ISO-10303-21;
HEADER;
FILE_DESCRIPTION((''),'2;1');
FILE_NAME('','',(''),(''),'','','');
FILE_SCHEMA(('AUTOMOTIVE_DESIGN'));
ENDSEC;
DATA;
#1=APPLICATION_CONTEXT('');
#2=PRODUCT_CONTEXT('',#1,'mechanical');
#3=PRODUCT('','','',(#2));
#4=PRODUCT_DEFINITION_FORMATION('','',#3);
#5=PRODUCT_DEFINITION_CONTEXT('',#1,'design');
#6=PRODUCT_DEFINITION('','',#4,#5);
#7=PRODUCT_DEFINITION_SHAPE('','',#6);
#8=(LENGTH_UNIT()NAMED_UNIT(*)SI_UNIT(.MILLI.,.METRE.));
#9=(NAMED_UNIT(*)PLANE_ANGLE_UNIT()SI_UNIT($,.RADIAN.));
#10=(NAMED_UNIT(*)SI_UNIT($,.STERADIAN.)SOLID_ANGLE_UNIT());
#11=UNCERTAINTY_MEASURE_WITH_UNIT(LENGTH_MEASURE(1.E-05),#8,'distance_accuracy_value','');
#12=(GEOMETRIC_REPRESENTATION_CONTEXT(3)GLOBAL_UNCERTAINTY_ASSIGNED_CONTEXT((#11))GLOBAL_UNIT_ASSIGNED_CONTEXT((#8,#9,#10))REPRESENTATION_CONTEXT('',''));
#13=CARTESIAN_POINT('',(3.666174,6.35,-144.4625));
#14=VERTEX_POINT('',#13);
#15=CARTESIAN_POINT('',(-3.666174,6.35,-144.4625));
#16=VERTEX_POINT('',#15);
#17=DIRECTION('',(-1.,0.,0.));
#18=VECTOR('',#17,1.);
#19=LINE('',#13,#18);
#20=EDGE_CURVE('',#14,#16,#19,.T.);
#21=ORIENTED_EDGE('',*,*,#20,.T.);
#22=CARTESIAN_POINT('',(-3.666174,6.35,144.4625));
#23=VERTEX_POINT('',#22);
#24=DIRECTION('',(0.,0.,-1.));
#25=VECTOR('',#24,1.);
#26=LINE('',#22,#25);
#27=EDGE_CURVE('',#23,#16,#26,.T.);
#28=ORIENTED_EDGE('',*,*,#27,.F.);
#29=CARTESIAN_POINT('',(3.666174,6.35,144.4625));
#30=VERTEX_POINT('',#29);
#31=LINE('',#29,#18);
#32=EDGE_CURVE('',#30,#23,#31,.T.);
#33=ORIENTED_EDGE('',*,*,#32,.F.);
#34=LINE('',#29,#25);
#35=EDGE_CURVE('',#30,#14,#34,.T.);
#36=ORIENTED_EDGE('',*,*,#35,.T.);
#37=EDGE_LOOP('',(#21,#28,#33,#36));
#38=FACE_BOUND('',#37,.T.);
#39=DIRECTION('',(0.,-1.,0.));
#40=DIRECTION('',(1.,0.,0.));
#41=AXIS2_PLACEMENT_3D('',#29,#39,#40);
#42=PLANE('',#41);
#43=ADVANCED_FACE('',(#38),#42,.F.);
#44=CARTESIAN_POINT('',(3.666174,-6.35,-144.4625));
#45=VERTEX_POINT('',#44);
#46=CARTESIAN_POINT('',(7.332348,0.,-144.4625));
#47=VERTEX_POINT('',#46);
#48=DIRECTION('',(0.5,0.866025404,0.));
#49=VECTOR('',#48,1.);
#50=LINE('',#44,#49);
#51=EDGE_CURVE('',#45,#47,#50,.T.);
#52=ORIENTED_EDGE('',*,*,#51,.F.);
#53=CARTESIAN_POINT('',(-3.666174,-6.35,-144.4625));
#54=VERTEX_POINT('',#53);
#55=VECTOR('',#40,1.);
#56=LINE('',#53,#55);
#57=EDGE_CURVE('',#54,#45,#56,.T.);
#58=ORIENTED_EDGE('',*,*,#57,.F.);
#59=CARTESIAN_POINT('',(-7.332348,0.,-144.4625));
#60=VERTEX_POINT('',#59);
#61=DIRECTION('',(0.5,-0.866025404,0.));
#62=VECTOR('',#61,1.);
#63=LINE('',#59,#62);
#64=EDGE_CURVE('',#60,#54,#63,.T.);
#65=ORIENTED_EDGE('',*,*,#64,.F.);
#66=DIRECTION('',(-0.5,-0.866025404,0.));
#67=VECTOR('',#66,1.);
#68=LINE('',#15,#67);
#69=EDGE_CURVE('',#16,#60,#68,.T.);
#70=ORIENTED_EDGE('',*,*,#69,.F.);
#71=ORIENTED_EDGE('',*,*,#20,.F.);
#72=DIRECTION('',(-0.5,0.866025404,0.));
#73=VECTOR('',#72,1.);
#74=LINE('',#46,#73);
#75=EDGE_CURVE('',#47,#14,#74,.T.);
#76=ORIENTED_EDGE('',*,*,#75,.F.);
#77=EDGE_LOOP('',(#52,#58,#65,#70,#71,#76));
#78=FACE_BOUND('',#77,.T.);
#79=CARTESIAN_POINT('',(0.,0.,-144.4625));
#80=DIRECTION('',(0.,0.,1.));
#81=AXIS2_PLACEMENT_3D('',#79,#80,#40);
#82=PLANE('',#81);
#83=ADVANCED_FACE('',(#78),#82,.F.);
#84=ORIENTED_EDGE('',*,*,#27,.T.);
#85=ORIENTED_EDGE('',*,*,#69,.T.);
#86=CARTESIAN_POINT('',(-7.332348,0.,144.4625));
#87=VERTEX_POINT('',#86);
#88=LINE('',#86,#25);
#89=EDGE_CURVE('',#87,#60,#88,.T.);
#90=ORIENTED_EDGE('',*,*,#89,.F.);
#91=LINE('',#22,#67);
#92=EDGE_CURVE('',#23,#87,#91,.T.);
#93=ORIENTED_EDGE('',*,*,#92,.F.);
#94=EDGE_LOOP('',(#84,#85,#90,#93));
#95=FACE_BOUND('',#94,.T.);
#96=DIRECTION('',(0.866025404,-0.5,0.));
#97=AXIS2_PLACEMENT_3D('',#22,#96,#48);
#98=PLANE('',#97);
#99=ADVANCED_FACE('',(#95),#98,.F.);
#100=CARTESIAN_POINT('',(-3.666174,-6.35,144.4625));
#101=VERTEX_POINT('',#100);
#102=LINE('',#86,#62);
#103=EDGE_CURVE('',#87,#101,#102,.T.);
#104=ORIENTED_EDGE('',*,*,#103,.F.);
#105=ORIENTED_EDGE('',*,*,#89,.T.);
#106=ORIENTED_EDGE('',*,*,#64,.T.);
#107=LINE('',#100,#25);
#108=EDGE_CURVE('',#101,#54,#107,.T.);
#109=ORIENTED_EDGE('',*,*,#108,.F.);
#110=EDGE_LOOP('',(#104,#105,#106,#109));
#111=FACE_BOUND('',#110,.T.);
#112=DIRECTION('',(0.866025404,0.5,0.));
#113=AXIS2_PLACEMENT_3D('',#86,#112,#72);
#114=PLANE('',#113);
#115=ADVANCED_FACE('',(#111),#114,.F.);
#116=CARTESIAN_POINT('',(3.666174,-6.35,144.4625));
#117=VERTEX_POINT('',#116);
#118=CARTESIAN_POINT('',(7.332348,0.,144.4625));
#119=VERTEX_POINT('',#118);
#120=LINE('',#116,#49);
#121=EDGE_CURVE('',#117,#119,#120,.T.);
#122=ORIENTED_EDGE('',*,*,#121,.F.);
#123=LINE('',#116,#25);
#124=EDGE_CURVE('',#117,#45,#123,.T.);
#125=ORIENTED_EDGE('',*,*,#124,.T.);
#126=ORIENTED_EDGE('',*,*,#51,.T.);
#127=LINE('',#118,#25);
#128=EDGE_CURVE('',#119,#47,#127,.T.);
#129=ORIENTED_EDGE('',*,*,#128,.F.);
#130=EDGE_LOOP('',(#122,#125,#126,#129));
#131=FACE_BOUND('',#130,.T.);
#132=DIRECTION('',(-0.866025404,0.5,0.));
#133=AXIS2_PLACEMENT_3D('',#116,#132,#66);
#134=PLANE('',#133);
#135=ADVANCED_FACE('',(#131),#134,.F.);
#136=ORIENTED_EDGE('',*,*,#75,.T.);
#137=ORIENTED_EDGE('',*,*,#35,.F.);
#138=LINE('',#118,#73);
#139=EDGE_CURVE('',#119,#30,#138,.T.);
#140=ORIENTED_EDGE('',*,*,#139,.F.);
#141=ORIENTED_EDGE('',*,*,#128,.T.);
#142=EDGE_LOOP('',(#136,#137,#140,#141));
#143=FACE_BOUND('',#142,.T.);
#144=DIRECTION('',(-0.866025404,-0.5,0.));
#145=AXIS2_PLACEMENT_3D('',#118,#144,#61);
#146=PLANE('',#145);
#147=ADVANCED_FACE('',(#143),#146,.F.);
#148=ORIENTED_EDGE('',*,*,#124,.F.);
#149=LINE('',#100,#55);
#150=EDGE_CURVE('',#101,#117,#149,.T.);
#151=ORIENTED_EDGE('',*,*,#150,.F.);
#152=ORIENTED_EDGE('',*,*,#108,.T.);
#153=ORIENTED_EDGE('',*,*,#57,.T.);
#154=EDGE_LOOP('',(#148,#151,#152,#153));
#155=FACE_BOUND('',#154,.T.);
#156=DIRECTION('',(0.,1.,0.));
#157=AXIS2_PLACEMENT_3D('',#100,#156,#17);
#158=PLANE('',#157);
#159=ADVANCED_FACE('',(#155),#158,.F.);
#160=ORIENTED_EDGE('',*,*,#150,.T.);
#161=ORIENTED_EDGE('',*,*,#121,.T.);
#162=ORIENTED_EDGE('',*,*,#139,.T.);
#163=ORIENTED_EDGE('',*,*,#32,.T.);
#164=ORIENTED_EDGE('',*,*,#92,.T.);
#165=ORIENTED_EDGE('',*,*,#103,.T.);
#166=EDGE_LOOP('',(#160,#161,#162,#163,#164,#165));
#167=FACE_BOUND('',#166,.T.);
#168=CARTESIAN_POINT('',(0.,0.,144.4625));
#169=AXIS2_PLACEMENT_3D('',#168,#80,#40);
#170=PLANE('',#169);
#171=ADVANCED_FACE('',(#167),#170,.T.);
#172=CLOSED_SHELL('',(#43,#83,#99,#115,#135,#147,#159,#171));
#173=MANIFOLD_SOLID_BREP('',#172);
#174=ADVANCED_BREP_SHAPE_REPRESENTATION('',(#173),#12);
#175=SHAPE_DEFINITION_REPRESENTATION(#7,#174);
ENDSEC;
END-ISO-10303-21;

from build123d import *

# Parameters (mm, degrees)
BOSS_EXTRUDE1_DEPTH = 144.4625


with BuildPart() as part:
    # Sketch1 → Boss-Extrude1 (new, symmetric)
    with BuildSketch(Plane.XY):
        Polygon((7.332348419, 0), (3.666174209, 6.35), (-3.666174209, 6.35), (-7.332348419, 0), (-3.666174209, -6.35), (3.666174209, -6.35), align=None)
    extrude(amount=BOSS_EXTRUDE1_DEPTH, both=True)


solid = part.part
